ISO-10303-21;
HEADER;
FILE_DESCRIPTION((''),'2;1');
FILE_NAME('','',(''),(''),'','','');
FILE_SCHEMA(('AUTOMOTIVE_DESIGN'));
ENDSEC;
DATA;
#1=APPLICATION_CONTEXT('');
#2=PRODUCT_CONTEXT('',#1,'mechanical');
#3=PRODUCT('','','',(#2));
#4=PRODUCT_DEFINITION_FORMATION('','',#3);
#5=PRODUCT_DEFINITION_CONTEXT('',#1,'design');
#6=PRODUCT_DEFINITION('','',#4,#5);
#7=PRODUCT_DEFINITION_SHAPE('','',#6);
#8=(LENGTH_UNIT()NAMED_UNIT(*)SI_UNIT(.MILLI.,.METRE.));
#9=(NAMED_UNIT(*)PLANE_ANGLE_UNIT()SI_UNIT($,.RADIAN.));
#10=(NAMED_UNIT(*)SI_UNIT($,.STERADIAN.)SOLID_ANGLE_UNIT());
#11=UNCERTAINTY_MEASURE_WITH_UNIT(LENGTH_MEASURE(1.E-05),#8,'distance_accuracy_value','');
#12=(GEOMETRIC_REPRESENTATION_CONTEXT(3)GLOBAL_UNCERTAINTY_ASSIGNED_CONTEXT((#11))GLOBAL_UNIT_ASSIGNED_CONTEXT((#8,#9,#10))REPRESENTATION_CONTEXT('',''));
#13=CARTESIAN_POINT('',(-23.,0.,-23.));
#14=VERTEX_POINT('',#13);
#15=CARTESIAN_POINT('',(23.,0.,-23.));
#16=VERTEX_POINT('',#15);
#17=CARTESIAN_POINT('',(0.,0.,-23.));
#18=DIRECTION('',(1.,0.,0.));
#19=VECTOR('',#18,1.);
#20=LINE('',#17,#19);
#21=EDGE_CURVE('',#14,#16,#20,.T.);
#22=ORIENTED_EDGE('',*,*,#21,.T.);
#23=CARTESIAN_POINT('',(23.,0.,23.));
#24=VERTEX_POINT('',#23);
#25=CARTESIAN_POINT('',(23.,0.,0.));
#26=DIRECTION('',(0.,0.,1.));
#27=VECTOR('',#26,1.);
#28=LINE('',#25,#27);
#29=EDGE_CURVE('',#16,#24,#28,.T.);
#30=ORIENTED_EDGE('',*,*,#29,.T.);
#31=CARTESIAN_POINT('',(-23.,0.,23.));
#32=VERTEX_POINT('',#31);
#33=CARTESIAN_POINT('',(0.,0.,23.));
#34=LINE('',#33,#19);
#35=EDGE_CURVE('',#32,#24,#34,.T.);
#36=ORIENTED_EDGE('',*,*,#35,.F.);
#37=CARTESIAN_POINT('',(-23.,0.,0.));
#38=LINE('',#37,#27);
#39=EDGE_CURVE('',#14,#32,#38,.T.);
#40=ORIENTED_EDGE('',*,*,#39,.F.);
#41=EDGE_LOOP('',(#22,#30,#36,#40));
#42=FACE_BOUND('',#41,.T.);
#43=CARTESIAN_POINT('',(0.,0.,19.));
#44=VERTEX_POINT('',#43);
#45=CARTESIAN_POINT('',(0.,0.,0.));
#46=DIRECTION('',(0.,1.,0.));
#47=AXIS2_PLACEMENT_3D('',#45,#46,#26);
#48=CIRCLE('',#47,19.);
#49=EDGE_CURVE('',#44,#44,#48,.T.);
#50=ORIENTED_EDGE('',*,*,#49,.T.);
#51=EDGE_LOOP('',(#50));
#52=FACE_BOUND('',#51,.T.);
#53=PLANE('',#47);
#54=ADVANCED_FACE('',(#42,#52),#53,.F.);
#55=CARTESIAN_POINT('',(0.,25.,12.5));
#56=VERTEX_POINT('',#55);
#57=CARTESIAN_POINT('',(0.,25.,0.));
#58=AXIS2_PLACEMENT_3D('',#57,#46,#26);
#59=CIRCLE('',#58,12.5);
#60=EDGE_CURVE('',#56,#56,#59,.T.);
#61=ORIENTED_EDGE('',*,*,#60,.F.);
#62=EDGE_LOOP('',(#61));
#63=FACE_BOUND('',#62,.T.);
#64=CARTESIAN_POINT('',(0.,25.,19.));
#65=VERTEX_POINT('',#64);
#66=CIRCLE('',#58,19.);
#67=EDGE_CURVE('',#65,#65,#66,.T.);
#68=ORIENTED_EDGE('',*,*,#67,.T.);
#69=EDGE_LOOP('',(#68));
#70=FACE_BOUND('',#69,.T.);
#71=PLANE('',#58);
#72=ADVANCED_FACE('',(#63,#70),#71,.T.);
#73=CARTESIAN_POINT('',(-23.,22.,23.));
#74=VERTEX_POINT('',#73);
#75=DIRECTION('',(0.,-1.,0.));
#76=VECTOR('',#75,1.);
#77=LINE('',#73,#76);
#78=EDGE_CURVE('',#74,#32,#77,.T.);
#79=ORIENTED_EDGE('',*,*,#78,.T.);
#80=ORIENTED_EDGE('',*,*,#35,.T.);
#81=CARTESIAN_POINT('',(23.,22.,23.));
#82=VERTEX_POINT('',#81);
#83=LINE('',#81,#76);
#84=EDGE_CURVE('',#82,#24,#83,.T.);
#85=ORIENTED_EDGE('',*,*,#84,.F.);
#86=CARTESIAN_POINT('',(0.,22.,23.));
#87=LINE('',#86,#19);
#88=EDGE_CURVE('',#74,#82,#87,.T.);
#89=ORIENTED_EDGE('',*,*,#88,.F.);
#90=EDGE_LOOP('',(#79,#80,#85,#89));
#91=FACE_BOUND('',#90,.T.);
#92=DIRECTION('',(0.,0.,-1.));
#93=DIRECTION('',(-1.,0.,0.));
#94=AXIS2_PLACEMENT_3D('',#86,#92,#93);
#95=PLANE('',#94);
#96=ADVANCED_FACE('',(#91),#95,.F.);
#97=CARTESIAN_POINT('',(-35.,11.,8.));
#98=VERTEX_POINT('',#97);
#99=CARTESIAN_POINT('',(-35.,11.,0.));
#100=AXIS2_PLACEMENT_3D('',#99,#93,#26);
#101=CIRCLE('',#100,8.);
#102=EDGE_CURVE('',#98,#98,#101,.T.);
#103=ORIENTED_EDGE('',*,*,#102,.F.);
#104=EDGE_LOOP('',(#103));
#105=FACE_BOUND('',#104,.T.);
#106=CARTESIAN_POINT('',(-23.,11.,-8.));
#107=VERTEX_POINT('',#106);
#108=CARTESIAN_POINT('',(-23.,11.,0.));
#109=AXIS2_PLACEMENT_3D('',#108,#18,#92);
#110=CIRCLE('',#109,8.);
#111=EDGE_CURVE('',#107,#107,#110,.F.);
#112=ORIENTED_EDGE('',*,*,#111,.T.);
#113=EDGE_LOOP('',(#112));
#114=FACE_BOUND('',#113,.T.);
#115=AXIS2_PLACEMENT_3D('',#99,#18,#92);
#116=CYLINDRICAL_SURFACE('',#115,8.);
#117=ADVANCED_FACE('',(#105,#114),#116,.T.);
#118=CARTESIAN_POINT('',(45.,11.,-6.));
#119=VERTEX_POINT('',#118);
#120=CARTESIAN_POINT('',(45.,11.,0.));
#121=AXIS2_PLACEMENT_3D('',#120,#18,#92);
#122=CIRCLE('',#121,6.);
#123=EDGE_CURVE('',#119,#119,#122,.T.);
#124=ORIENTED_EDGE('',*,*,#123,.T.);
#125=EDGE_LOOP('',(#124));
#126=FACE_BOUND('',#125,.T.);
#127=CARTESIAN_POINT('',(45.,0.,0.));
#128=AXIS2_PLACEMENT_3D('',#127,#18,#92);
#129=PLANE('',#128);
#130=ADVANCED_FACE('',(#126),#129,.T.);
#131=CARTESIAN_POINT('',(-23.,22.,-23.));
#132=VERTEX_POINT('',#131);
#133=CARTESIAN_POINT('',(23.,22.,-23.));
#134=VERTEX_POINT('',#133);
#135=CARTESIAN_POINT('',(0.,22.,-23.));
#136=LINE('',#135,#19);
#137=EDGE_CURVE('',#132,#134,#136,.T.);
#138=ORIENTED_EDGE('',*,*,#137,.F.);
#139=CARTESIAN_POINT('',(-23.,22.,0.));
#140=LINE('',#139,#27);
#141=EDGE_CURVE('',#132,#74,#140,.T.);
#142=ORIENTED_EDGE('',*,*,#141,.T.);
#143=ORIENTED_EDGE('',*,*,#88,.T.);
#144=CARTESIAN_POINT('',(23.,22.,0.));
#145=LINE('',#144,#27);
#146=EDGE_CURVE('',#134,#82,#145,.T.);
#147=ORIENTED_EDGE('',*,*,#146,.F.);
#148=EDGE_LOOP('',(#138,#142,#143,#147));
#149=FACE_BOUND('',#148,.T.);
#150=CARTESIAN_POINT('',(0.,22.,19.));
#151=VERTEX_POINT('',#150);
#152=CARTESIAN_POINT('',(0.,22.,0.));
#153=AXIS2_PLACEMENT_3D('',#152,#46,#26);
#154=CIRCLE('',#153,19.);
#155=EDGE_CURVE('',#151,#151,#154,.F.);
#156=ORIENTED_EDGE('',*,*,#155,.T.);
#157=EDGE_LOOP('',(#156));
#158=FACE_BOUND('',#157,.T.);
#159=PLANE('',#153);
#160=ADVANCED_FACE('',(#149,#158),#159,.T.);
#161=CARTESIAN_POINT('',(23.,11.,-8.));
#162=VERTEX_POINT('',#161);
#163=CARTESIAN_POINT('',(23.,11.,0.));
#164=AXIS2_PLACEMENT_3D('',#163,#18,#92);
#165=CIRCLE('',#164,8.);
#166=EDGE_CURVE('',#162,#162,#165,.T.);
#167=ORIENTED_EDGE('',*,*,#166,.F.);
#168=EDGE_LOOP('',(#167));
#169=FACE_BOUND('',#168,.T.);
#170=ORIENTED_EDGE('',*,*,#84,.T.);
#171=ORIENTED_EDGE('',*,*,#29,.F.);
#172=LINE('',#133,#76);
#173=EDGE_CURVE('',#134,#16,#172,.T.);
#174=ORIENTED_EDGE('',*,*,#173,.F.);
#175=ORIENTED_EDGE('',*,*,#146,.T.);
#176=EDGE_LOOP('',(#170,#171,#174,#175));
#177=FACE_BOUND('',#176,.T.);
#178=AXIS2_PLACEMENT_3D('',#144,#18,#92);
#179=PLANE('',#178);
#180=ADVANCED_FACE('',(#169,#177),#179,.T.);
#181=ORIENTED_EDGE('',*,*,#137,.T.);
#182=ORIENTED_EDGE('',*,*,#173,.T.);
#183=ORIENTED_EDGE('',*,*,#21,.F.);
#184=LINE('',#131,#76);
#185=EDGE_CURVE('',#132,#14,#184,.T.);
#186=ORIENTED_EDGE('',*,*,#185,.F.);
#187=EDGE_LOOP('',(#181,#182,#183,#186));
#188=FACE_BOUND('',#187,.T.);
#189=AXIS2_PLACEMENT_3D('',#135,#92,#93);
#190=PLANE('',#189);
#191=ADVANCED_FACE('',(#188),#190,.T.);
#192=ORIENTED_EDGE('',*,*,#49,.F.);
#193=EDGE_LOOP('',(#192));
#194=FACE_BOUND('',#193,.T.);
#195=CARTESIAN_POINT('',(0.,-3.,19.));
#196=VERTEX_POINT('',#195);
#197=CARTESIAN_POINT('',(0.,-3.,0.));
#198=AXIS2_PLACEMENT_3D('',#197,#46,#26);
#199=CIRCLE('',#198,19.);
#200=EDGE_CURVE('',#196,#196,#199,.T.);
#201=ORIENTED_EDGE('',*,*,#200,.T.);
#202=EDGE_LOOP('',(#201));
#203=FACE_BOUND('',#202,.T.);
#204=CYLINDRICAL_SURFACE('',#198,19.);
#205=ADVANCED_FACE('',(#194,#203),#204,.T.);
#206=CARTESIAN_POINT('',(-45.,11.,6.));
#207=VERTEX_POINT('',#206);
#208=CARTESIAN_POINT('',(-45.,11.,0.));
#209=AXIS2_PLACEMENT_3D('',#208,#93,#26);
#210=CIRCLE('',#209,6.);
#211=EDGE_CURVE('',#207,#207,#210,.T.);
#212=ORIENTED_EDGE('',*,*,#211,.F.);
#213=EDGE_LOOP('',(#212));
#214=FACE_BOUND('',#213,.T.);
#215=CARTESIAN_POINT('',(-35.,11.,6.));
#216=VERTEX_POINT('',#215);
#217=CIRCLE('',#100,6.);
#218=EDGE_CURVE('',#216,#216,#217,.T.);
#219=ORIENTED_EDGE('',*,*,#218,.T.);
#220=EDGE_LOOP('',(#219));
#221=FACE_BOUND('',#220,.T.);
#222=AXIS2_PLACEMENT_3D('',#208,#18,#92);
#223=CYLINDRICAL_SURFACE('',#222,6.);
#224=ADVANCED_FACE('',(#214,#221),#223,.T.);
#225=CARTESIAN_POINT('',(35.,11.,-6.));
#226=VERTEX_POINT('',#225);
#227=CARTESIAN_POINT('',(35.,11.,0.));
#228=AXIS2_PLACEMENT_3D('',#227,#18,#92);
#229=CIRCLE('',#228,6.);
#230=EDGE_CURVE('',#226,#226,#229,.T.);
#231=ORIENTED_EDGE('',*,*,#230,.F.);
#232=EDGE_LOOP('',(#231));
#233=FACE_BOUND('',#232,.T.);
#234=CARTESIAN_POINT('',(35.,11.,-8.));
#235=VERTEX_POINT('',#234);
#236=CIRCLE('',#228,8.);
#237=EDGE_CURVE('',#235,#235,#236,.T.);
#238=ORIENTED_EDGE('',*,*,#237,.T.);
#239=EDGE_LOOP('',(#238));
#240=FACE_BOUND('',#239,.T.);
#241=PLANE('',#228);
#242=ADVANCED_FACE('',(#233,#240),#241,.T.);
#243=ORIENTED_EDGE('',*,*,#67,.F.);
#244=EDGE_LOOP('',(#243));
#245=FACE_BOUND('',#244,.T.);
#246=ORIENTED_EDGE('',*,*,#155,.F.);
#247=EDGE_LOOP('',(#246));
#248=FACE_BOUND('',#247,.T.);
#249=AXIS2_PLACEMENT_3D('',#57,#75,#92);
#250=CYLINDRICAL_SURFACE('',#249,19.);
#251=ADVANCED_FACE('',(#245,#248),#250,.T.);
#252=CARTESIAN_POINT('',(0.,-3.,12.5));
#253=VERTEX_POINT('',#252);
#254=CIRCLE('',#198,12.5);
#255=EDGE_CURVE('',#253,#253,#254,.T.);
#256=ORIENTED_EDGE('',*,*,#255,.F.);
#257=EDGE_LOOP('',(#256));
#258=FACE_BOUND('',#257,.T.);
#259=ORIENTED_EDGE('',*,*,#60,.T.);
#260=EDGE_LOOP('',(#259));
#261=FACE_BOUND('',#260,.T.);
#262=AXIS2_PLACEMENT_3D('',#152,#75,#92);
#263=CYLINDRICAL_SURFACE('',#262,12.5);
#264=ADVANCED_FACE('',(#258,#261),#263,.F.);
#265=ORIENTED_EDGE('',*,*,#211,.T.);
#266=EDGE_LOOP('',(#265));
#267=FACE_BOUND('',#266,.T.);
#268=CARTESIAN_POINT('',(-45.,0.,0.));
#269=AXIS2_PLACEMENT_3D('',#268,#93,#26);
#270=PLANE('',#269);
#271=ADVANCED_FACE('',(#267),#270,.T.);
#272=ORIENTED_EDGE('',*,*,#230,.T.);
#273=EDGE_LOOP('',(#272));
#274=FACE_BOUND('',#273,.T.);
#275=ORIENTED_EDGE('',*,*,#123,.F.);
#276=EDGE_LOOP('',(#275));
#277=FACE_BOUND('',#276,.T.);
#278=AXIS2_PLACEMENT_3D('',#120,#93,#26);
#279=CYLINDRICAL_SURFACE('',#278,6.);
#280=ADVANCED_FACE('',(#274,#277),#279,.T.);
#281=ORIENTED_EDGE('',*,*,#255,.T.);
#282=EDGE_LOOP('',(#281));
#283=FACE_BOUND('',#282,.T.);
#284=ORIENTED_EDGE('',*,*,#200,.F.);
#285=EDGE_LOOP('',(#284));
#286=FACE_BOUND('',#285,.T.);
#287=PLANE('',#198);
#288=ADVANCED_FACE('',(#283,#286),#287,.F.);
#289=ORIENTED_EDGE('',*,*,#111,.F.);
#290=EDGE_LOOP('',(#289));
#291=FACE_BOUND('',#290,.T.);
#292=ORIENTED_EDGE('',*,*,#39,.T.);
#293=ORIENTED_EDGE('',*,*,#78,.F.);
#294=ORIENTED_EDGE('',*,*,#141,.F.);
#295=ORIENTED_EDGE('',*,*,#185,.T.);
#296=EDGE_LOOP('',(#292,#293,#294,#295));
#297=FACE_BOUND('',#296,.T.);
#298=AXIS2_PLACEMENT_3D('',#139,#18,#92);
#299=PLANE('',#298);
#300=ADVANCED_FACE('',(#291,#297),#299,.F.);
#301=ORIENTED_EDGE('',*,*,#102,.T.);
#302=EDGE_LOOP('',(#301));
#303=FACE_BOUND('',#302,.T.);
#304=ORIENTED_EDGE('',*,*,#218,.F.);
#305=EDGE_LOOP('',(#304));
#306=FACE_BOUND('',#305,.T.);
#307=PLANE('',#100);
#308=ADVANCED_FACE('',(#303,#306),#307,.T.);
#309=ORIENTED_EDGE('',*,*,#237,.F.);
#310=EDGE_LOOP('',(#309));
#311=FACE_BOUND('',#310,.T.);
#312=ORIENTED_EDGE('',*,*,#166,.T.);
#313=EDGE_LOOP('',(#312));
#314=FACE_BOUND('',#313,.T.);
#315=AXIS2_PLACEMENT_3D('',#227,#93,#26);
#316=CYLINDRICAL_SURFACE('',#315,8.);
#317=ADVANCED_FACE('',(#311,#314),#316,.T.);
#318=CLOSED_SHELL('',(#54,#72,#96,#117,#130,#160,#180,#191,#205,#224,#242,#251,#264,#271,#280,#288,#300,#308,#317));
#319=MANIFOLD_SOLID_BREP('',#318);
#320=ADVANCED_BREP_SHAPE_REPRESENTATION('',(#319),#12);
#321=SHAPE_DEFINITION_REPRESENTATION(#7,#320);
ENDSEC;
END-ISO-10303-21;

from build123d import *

# Parameters (mm, degrees)
ESBO_O1_W                 = 46
ESBO_O1_H                 = 46
ESBO_O1_R                 = 12.5
RESSALTO_EXTRUS_O1_DEPTH  = 22
ESBO_O1_7_R               = 19
ESBO_O1_7_R_2             = 12.5
RESSALTO_EXTRUS_O4_DEPTH  = 25
RESSALTO_EXTRUS_O5_START  = -3
ESBO_O1_8_R               = 19
ESBO_O1_8_R_2             = 12.5
RESSALTO_EXTRUS_O5_DEPTH  = 3
ESBO_O7_R                 = 8
ESBO_O7_R_2               = 6
RESSALTO_EXTRUS_O8_DEPTH  = 12
ESBO_O7_3_R               = 6
RESSALTO_EXTRUS_O9_DEPTH  = 22
RESSALTO_EXTRUS_O10_START = 12
ESBO_O8_R                 = 8
ESBO_O8_R_2               = 6
RESSALTO_EXTRUS_O10_DEPTH = 12
RESSALTO_EXTRUS_O11_START = 22
ESBO_O8_2_R               = 6
RESSALTO_EXTRUS_O11_DEPTH = 22


with BuildPart() as part:
    # Esboço1 → Ressalto-extrusão1 (new body)
    with BuildSketch(Plane(origin=(0, 0, 0), x_dir=(1, 0, 0), z_dir=(0, 1, 0))):
        Rectangle(ESBO_O1_W, ESBO_O1_H)
        Circle(ESBO_O1_R, mode=Mode.SUBTRACT)
    extrude(amount=RESSALTO_EXTRUS_O1_DEPTH)

    # Esboço1<7> → Ressalto-extrusão4 (add)
    with BuildSketch(Plane(origin=(0, 0, 0), x_dir=(1, 0, 0), z_dir=(0, 1, 0))):
        Circle(ESBO_O1_7_R)
        Circle(ESBO_O1_7_R_2, mode=Mode.SUBTRACT)
    extrude(amount=RESSALTO_EXTRUS_O4_DEPTH)

    # Esboço1<8> → Ressalto-extrusão5 (add)
    with BuildSketch(Plane(origin=(0, 0, 0), x_dir=(1, 0, 0), z_dir=(0, 1, 0)).offset(RESSALTO_EXTRUS_O5_START)):
        Circle(ESBO_O1_8_R)
        Circle(ESBO_O1_8_R_2, mode=Mode.SUBTRACT)
    extrude(amount=RESSALTO_EXTRUS_O5_DEPTH)

    # Esboço7 → Ressalto-extrusão8 (add)
    with BuildSketch(Plane.ZY.offset(23)):
        with Locations((0, 11)):
            Circle(ESBO_O7_R)
        with Locations((0, 11)):
            Circle(ESBO_O7_R_2, mode=Mode.SUBTRACT)
    extrude(amount=RESSALTO_EXTRUS_O8_DEPTH)

    # Esboço7<3> → Ressalto-extrusão9 (add)
    with BuildSketch(Plane.ZY.offset(23)):
        with Locations((0, 11)):
            Circle(ESBO_O7_3_R)
    extrude(amount=RESSALTO_EXTRUS_O9_DEPTH)

    # Esboço8 → Ressalto-extrusão10 (add)
    with BuildSketch(Plane(origin=(23, 0, 0), x_dir=(0, 0, -1), z_dir=(1, 0, 0)).offset(RESSALTO_EXTRUS_O10_START)):
        with Locations((0, 11)):
            Circle(ESBO_O8_R)
        with Locations((0, 11)):
            Circle(ESBO_O8_R_2, mode=Mode.SUBTRACT)
    extrude(amount=-RESSALTO_EXTRUS_O10_DEPTH)

    # Esboço8<2> → Ressalto-extrusão11 (add)
    with BuildSketch(Plane(origin=(23, 0, 0), x_dir=(0, 0, -1), z_dir=(1, 0, 0)).offset(RESSALTO_EXTRUS_O11_START)):
        with Locations((0, 11)):
            Circle(ESBO_O8_2_R)
    extrude(amount=-RESSALTO_EXTRUS_O11_DEPTH)


solid = part.part
